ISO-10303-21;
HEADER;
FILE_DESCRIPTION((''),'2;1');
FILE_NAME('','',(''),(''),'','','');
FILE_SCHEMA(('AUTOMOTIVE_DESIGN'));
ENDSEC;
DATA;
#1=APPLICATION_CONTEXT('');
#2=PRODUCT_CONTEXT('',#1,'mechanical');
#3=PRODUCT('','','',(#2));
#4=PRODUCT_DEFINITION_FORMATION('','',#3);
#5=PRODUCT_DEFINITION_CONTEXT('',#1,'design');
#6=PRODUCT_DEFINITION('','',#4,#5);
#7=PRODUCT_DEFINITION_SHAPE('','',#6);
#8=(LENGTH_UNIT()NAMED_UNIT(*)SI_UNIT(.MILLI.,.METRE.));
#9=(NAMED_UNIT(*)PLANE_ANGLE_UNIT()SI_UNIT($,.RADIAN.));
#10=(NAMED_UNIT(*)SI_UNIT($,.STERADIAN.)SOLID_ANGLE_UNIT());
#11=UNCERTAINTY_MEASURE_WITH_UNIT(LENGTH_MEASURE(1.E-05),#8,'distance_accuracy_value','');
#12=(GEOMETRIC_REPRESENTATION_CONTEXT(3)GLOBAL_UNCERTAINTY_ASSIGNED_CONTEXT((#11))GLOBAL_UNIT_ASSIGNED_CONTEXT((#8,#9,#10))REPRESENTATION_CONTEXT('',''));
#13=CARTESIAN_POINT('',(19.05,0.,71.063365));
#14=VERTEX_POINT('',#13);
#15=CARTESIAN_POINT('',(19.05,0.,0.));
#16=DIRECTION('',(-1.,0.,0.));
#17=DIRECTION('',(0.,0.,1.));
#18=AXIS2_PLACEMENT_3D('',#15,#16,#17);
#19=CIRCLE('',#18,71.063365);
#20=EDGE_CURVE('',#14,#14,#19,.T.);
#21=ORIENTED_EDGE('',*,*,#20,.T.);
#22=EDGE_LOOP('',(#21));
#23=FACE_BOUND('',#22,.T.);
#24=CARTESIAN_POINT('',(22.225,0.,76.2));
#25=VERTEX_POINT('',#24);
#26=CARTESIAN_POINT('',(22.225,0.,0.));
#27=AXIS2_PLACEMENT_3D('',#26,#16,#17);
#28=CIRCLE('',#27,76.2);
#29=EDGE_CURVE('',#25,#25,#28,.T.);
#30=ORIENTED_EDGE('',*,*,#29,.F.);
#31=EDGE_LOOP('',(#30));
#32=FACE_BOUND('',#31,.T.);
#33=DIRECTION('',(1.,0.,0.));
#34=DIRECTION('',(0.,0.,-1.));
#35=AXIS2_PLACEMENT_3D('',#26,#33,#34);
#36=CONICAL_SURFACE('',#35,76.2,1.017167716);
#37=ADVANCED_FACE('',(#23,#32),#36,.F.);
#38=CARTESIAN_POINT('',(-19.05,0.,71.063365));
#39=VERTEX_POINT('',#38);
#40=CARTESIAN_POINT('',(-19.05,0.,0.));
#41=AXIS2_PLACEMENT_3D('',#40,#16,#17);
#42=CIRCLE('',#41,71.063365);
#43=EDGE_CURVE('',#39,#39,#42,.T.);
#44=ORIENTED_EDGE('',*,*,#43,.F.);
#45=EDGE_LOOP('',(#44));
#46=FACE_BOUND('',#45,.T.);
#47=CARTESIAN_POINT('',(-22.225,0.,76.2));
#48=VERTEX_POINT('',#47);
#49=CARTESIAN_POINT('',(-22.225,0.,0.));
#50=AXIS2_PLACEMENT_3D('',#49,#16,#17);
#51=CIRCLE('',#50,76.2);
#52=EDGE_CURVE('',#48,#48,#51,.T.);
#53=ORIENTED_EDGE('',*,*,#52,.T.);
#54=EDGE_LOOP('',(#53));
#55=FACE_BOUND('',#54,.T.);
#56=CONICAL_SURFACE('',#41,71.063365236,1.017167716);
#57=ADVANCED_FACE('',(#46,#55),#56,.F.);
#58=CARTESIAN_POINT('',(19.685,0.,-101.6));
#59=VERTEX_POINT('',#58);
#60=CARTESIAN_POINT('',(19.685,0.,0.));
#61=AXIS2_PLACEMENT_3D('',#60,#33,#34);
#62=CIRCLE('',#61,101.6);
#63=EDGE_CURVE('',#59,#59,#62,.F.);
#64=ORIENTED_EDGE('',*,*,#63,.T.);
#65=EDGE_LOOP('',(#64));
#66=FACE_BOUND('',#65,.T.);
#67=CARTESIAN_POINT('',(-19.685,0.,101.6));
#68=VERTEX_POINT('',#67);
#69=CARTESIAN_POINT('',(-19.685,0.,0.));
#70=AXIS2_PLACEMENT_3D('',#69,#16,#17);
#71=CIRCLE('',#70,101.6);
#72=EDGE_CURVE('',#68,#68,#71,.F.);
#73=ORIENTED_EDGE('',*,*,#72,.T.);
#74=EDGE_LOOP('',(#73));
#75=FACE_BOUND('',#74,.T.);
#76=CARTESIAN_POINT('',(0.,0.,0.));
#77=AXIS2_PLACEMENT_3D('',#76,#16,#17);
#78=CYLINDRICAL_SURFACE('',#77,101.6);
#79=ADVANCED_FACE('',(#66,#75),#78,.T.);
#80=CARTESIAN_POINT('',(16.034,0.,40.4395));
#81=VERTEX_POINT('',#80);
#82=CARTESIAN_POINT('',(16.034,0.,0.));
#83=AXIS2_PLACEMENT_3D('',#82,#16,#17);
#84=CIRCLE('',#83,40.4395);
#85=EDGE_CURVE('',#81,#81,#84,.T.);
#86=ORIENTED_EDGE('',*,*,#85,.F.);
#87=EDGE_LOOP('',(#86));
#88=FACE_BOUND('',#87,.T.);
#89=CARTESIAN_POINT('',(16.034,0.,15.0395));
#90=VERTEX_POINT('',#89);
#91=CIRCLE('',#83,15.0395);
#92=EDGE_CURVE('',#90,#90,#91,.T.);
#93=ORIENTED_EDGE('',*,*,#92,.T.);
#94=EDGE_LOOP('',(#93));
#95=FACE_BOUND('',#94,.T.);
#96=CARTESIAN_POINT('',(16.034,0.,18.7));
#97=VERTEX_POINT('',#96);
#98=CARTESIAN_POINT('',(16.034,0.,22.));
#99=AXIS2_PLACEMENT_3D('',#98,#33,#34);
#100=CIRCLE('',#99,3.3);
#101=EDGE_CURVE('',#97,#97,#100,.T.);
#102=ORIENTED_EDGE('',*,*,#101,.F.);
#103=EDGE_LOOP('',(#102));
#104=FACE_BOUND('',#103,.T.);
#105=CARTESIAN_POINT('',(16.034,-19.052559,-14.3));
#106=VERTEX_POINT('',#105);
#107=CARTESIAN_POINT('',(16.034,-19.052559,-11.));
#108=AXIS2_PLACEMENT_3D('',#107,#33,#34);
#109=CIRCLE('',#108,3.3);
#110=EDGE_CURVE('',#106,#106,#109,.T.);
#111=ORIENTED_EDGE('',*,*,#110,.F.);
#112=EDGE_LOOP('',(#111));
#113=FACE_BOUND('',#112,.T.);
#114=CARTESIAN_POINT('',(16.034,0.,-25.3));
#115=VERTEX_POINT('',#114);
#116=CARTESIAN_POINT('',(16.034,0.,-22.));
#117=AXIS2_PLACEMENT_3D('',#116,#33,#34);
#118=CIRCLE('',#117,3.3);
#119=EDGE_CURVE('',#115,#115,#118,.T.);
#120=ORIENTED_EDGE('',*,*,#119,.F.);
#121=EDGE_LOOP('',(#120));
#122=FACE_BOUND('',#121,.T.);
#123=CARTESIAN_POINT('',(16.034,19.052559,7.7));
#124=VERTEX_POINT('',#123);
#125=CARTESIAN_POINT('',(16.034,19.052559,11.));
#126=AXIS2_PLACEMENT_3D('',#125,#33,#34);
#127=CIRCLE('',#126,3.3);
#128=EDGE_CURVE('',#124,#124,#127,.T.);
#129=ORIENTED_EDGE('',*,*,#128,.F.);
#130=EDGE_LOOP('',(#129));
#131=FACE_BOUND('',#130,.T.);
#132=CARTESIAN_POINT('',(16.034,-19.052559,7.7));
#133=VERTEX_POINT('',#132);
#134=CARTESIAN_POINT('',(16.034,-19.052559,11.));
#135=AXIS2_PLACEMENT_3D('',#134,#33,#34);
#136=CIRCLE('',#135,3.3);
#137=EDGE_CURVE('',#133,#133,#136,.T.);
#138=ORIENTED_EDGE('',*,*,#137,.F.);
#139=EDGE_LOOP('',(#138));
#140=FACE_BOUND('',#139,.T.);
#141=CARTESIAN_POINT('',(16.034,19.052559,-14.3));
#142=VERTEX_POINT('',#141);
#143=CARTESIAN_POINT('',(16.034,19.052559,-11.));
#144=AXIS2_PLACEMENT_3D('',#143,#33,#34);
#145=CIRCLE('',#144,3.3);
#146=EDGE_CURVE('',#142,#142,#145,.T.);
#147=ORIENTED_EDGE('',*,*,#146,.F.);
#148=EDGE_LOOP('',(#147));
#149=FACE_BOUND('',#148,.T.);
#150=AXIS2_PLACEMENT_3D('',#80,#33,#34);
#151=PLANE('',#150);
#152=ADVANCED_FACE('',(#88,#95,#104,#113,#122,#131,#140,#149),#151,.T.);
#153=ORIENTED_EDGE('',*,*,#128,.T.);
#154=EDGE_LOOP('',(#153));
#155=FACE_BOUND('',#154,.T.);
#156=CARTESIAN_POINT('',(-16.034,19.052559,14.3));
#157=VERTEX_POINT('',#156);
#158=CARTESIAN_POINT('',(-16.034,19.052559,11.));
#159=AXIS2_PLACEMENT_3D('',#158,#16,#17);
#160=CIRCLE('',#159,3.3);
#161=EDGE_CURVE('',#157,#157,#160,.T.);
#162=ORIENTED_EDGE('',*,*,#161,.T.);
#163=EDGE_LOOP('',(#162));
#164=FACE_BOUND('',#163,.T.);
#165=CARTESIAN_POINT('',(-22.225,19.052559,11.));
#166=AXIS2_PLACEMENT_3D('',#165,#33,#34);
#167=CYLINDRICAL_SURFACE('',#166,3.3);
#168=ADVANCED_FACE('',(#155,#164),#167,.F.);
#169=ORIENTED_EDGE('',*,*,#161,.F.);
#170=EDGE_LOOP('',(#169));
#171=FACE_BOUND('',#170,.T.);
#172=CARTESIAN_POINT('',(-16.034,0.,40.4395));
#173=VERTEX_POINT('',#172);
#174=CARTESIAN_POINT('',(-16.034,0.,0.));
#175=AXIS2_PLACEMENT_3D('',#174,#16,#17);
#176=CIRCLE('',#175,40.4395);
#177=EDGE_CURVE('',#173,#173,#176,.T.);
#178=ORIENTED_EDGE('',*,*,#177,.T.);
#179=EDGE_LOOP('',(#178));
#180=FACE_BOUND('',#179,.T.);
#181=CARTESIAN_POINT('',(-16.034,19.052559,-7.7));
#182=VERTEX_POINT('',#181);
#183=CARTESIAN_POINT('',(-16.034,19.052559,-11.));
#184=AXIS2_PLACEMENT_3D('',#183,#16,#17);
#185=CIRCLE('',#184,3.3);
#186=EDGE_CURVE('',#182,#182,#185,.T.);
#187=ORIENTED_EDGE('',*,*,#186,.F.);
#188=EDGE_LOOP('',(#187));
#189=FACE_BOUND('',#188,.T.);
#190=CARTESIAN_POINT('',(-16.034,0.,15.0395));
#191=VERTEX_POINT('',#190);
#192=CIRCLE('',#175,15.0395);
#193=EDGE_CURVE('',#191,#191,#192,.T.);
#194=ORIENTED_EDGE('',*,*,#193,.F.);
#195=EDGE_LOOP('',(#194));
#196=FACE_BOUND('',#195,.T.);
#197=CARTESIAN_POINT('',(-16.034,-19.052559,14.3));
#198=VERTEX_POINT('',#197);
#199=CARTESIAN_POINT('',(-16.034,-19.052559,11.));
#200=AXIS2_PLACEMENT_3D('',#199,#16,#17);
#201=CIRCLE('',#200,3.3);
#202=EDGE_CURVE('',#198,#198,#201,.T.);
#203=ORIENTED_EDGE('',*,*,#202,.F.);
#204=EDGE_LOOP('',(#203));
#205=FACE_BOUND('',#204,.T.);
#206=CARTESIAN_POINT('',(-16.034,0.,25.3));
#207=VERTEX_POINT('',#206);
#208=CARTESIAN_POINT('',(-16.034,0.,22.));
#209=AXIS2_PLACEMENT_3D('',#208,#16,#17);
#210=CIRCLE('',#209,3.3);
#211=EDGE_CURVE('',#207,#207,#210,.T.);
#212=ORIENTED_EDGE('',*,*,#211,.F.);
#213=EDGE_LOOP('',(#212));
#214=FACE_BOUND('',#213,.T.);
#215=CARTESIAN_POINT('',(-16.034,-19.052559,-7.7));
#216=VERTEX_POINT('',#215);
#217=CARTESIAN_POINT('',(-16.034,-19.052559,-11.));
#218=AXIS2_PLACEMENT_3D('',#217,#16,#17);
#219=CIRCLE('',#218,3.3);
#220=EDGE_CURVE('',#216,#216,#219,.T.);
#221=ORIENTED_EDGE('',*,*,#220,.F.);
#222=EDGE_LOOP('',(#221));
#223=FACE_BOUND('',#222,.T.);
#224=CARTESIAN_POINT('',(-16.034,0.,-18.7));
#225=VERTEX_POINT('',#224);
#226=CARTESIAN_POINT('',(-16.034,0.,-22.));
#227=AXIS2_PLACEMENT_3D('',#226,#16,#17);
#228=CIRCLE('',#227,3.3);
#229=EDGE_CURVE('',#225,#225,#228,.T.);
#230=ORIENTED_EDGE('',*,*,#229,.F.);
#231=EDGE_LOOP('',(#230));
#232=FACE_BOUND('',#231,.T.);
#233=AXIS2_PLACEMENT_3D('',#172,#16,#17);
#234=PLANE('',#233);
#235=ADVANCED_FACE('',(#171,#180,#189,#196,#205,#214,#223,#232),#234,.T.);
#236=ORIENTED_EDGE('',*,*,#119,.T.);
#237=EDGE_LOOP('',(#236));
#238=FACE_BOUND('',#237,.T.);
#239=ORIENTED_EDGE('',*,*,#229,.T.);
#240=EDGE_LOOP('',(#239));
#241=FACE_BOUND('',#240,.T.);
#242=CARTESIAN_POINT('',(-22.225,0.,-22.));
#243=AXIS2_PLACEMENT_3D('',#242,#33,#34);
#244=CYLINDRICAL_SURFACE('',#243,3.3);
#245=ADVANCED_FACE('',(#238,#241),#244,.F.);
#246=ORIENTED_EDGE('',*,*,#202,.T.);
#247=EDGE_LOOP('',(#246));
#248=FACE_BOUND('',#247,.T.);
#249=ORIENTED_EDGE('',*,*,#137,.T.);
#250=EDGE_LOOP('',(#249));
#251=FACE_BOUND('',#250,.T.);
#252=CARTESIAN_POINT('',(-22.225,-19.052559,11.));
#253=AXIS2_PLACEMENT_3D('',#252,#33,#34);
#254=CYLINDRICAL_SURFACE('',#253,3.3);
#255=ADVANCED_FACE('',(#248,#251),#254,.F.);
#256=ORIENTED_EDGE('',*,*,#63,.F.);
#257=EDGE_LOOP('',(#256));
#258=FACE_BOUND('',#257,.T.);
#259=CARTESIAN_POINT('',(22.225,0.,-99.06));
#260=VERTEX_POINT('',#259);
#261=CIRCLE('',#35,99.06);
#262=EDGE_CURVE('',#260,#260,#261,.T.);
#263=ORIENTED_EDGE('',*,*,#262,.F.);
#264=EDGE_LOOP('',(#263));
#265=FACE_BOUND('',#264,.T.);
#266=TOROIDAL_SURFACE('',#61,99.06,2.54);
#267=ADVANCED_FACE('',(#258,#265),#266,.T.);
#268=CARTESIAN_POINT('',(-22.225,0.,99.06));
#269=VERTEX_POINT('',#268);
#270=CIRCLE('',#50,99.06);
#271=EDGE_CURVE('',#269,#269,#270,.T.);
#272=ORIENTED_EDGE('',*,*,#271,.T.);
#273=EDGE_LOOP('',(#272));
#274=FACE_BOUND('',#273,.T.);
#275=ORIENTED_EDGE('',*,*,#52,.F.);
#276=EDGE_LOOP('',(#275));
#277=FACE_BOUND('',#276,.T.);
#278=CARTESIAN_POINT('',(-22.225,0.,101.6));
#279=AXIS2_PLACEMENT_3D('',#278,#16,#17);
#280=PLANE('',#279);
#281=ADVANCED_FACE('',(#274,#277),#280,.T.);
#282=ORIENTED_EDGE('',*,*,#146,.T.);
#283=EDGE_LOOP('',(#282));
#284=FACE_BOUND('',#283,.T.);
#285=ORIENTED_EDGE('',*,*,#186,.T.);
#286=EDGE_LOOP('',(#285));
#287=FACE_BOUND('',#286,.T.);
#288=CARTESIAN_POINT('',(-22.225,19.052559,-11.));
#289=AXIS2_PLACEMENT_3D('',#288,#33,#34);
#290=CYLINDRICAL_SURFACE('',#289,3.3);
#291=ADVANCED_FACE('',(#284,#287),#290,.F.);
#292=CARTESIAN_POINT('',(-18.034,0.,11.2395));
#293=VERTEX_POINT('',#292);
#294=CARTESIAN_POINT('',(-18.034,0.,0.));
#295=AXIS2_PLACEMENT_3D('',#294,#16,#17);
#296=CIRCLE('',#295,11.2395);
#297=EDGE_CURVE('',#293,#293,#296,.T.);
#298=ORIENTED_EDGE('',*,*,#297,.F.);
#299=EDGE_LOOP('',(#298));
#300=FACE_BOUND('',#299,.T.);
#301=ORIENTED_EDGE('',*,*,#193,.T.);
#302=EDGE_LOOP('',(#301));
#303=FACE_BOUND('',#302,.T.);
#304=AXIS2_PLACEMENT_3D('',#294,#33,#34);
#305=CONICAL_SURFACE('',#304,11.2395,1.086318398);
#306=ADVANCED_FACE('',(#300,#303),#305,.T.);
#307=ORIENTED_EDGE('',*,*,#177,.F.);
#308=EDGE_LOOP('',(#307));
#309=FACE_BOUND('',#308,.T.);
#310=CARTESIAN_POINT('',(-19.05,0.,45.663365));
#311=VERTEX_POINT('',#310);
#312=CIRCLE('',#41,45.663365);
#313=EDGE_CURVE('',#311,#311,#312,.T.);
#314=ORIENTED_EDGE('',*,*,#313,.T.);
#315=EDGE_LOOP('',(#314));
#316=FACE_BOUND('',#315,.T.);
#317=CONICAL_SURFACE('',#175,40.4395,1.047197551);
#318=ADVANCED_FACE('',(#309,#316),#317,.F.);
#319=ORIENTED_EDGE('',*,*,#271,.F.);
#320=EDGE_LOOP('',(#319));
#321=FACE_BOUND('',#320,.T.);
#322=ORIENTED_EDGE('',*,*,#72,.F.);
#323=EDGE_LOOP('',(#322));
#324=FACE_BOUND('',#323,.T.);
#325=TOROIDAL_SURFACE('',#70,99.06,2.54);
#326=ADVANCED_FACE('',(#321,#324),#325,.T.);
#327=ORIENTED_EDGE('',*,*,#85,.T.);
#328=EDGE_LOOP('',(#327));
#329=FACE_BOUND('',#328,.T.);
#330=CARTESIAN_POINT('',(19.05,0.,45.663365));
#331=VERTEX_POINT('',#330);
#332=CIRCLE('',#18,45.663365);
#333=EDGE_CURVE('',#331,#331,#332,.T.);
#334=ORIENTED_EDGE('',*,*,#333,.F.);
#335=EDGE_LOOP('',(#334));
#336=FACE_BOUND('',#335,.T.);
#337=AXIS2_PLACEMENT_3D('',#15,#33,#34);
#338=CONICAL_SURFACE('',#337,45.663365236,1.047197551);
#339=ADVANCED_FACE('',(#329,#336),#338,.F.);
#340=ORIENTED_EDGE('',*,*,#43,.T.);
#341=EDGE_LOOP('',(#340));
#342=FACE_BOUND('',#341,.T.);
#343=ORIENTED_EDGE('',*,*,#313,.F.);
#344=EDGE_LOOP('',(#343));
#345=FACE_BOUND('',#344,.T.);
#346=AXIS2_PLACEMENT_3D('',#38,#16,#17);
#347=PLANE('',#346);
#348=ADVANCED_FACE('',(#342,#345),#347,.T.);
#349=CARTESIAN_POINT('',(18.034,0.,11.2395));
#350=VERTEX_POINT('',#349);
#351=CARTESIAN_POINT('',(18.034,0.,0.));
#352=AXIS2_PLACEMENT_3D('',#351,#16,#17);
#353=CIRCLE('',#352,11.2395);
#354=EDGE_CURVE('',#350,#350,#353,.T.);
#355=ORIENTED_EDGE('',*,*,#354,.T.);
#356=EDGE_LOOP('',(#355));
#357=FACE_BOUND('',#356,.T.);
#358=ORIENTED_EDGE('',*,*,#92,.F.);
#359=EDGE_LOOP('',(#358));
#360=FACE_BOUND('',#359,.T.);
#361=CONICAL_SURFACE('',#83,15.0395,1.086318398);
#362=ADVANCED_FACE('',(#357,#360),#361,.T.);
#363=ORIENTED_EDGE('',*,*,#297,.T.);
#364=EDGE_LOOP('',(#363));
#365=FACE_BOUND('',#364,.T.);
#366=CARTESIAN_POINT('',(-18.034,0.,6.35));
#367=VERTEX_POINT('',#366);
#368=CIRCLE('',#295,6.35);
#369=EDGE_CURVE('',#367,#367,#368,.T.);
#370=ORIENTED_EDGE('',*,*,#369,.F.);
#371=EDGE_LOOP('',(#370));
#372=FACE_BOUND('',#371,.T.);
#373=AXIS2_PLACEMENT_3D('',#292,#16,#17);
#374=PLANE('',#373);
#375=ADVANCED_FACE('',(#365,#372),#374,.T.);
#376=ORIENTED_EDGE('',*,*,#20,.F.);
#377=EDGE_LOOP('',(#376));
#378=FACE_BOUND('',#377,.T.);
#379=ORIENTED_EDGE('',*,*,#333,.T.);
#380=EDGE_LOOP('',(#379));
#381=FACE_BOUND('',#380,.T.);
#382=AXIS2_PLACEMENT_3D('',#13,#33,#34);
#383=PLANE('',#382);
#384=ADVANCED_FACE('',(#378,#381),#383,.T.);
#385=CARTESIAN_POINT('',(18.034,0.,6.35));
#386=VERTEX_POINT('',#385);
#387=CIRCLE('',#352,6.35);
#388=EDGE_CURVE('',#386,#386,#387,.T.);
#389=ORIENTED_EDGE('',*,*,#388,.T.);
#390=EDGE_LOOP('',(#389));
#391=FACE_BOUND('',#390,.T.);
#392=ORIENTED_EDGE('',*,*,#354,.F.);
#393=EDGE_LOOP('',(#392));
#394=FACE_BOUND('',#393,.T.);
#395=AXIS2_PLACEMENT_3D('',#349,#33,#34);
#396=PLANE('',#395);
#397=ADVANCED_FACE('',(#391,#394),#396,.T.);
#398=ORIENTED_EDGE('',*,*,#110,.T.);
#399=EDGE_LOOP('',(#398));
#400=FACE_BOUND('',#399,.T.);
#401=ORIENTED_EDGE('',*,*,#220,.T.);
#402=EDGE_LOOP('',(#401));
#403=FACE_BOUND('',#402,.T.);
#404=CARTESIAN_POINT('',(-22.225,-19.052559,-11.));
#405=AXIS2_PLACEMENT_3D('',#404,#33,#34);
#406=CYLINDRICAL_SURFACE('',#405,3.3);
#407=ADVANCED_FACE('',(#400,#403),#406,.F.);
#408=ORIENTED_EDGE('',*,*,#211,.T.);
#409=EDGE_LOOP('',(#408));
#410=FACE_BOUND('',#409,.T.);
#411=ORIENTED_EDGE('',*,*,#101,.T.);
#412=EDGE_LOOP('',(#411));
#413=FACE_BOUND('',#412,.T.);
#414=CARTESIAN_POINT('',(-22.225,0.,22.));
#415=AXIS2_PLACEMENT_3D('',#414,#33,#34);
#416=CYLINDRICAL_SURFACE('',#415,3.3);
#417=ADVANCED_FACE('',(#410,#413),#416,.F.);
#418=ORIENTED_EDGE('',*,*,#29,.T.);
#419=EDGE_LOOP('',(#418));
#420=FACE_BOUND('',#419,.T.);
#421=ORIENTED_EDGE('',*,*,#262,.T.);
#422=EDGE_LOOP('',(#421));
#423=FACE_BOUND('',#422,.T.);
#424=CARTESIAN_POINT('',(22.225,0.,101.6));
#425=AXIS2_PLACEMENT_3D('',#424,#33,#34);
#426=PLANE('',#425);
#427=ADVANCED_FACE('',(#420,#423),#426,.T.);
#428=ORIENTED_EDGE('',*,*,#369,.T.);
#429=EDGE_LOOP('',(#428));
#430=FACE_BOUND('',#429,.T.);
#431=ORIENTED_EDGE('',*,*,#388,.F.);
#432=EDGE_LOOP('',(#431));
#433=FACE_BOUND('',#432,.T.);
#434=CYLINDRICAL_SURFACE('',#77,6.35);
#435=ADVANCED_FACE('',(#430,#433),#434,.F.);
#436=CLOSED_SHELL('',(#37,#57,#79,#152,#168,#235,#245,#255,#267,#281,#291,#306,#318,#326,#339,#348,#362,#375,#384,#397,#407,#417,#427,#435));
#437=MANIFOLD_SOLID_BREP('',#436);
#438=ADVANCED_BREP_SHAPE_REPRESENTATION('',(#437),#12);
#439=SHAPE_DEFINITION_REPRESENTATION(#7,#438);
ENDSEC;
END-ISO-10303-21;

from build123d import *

# Parameters (mm, degrees)
SKETCH3_R          = 3.3
CUT_EXTRUDE1_DEPTH = 39.259
FILLET1_R          = 2.54


with BuildPart() as part:
    # Sketch2 → Revolve1 (revolve)
    with BuildSketch(Plane(origin=(0, 0, 0), x_dir=(1, 0, 0), z_dir=(0, 1, 0))):
        Polygon((22.225, -101.6), (22.225, -76.2), (19.05, -71.063365236), (19.05, -45.663365236), (16.034, -40.4395), (16.034, -15.0395), (18.034, -11.2395), (18.034, -6.35), (-18.034, -6.35), (-18.034, -11.2395), (-16.034, -15.0395), (-16.034, -40.4395), (-19.05, -45.663365236), (-19.05, -71.063365236), (-22.225, -76.2), (-22.225, -101.6), align=None)
    revolve(axis=Axis((0, 0, 0), (1, 0, 0)))

    # Sketch3 → Cut-Extrude1 (cut, through all)
    with BuildSketch(Plane(origin=(16.034, 0, 0), x_dir=(0, 0, -1), z_dir=(1, 0, 0))):
        with Locations((22, 0)):
            Circle(SKETCH3_R)
        with Locations((11, -19.052558883)):
            Circle(SKETCH3_R)
        with Locations((-11, -19.052558883)):
            Circle(SKETCH3_R)
        with Locations((-22, 0)):
            Circle(SKETCH3_R)
        with Locations((-11, 19.052558883)):
            Circle(SKETCH3_R)
        with Locations((11, 19.052558883)):
            Circle(SKETCH3_R)
    extrude(amount=-CUT_EXTRUDE1_DEPTH, mode=Mode.SUBTRACT)

    # Fillet1
    fillet1_edges = [part.edges().sort_by_distance(p)[0] for p in [
        (22.225, 0, -101.6),
        (-22.225, 0, -101.6),
    ]]
    fillet(fillet1_edges, radius=FILLET1_R)


solid = part.part
